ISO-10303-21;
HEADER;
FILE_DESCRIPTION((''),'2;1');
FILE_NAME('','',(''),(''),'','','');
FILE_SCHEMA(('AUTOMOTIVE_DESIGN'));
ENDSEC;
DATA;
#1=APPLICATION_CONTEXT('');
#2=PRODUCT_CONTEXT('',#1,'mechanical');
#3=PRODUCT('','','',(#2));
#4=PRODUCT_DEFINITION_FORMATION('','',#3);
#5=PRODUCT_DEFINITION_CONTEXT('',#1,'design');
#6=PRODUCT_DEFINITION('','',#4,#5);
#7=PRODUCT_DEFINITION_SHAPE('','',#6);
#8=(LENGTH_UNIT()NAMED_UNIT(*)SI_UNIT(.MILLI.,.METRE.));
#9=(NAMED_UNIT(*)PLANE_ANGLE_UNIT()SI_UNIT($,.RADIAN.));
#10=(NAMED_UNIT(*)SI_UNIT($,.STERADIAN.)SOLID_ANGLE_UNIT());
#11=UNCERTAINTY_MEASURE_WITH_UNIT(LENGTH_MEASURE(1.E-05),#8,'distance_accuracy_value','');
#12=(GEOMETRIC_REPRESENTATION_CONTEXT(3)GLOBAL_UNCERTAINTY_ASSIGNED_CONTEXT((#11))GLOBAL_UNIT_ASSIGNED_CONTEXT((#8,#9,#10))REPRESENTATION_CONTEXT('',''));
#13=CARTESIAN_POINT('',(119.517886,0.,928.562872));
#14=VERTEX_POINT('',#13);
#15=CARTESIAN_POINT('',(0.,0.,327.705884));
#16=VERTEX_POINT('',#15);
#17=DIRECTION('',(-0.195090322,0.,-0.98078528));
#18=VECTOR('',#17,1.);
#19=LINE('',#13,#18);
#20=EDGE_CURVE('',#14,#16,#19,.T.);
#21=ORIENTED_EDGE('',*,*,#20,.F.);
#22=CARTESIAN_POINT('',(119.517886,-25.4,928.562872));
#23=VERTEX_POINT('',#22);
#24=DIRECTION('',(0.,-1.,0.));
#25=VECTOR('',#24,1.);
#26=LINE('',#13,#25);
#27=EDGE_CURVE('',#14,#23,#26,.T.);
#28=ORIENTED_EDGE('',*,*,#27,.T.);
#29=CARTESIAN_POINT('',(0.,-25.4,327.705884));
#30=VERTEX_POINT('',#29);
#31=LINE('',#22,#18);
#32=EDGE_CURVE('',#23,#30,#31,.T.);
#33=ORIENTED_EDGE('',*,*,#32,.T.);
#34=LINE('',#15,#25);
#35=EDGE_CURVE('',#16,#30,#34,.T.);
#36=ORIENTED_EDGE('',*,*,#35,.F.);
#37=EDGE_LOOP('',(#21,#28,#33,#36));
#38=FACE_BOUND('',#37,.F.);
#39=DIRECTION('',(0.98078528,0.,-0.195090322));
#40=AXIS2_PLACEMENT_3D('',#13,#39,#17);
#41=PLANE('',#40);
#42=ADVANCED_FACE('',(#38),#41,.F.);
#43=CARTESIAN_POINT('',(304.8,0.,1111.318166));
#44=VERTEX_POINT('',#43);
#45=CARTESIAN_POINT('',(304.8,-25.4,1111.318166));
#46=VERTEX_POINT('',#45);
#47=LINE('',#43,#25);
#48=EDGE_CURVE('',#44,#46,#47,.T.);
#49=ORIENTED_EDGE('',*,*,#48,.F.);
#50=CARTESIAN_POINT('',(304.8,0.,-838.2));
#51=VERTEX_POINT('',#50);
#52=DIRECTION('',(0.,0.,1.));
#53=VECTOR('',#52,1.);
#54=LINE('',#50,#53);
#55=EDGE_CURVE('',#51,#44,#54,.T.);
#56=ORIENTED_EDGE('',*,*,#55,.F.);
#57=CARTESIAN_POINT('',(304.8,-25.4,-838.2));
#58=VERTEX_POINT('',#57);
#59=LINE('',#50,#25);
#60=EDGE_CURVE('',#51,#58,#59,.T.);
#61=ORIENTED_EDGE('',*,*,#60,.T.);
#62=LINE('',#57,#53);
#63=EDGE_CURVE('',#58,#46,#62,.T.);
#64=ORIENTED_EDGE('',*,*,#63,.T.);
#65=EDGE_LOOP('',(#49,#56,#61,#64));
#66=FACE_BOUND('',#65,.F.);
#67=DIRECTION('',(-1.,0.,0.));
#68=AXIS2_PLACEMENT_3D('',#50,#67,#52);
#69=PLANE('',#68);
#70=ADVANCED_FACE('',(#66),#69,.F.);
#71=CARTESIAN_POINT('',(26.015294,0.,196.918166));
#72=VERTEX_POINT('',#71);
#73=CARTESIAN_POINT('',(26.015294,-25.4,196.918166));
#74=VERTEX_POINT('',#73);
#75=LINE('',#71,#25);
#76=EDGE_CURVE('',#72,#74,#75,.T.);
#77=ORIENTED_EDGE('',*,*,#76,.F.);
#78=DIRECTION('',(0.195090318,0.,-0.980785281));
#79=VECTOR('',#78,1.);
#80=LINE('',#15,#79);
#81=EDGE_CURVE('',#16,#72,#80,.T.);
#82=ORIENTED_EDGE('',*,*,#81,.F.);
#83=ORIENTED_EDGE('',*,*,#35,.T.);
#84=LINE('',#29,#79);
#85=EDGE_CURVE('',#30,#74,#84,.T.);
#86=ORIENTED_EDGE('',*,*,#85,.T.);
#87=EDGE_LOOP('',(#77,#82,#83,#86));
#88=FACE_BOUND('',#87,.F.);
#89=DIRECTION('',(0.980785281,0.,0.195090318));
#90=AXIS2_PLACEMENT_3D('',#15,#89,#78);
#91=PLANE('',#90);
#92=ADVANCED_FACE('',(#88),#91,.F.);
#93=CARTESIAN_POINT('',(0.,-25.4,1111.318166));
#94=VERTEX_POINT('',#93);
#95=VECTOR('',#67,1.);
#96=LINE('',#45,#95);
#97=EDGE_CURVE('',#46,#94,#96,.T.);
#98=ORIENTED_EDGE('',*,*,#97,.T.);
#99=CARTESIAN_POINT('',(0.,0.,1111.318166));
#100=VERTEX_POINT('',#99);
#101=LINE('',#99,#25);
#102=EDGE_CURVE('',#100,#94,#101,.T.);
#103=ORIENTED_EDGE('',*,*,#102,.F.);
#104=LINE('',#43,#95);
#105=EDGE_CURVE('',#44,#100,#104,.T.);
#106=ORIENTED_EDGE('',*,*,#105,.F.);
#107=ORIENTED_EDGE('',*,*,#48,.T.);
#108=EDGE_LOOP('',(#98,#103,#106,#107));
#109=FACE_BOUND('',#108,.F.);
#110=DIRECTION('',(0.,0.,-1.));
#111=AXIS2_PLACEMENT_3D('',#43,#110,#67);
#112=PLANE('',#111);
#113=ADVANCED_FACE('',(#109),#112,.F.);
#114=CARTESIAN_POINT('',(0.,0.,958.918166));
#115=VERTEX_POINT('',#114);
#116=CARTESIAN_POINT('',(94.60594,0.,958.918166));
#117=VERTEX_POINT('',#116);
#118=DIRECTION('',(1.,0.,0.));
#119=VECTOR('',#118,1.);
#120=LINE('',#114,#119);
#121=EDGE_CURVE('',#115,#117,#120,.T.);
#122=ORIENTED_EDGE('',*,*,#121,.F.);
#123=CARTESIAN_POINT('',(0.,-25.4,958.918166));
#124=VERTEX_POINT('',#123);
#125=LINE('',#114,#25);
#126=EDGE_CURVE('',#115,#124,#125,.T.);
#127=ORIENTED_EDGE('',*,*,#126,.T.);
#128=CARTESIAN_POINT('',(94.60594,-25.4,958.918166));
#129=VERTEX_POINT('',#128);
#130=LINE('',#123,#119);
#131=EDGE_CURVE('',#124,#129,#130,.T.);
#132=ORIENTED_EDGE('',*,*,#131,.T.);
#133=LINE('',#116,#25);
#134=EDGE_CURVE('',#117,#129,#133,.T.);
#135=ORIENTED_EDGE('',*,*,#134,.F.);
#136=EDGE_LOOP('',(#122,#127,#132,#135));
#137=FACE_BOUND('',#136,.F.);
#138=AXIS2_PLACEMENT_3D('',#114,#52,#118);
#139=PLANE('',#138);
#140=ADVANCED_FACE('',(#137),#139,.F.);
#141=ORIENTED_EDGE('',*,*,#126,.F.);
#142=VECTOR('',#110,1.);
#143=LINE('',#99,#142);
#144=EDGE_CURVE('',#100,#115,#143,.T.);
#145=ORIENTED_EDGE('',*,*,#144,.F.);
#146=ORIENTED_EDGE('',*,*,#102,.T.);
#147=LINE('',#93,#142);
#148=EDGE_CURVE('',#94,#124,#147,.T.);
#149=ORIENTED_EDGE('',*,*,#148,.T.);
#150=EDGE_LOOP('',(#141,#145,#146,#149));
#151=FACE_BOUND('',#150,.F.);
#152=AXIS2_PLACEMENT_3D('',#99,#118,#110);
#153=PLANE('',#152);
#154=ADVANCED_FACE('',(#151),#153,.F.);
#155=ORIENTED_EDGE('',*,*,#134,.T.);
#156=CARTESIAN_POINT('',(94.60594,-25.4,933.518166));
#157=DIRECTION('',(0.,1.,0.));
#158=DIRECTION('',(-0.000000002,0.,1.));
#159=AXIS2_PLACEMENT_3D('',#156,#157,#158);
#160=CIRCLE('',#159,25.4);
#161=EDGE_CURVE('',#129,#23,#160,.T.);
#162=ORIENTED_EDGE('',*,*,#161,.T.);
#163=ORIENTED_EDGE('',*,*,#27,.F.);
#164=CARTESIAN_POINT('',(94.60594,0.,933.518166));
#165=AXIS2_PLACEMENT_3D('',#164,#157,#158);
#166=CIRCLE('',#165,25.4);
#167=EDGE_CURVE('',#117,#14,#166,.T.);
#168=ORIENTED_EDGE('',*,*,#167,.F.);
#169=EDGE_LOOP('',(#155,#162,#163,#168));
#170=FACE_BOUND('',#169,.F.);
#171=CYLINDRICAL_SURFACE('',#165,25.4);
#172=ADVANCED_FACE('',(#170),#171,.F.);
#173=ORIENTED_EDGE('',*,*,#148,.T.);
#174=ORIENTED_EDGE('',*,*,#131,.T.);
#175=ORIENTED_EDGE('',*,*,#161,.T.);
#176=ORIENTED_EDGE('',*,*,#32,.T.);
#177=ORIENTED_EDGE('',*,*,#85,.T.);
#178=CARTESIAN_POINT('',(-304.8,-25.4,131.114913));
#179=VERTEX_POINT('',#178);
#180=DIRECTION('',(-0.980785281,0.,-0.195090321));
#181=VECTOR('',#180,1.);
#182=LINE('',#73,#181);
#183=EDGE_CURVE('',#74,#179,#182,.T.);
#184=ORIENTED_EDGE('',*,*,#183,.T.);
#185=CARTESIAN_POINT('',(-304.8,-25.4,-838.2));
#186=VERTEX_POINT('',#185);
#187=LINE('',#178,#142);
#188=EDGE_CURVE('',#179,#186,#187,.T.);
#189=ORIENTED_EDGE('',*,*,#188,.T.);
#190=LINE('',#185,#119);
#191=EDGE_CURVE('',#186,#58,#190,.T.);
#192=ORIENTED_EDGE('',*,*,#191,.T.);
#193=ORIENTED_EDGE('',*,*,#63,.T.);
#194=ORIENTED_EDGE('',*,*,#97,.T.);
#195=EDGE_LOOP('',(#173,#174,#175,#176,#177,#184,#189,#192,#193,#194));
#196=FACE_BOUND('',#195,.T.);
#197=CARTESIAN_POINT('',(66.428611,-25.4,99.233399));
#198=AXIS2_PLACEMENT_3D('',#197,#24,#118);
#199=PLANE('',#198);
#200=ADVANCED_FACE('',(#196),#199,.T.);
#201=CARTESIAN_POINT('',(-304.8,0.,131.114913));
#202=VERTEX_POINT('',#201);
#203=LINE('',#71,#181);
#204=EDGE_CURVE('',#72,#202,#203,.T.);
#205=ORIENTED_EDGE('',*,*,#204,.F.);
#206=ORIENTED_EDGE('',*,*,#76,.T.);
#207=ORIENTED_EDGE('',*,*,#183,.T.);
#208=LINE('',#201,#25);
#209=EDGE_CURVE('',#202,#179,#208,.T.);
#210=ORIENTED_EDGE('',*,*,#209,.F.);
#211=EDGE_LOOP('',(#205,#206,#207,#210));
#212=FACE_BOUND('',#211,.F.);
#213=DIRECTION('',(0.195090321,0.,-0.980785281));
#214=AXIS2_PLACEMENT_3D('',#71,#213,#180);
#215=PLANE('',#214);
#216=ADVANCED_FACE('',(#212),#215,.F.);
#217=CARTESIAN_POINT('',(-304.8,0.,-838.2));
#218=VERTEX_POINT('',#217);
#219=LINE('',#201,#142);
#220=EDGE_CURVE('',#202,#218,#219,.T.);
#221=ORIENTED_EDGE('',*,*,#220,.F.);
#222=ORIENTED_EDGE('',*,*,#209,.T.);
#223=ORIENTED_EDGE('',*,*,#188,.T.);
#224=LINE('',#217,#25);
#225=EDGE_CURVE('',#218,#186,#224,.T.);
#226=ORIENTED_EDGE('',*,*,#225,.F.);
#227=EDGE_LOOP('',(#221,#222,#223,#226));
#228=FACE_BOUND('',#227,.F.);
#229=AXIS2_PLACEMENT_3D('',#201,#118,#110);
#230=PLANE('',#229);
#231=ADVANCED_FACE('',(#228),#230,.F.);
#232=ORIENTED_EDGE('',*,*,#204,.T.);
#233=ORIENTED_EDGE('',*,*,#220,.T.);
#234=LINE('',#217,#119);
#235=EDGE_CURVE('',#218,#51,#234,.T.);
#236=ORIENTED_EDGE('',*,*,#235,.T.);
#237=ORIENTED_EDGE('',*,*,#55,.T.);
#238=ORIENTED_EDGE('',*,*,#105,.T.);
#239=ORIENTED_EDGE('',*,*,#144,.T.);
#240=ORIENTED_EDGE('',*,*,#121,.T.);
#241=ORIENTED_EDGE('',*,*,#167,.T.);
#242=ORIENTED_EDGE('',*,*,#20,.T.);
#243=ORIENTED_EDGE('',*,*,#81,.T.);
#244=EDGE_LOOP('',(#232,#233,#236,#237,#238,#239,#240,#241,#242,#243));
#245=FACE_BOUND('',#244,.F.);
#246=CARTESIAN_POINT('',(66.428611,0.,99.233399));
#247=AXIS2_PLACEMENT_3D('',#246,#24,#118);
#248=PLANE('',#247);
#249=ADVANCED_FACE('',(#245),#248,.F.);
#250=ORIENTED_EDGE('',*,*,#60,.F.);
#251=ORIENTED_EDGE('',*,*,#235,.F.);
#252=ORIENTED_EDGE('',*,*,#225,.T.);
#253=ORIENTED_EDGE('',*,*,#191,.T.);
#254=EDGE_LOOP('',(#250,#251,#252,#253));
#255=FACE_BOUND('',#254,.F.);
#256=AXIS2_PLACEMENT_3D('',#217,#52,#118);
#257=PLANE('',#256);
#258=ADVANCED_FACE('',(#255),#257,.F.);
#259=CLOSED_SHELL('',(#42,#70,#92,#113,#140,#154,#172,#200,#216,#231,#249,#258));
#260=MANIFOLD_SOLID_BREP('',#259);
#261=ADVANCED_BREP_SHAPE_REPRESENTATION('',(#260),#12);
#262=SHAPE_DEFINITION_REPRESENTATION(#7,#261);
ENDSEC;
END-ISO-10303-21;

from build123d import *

# Parameters (mm, degrees)
F1_DEPTH = 25.4


with BuildPart() as f1:
    # F0 (on Front) → F1 (new body)
    with BuildSketch(Plane.XZ):
        with BuildLine():
            Line((0, 1111.318166), (0, 958.918166))
            Line((0, 958.918166), (94.60594, 958.918166))
            ThreePointArc((94.60594, 958.918166), (114.240405, 949.631756), (119.517886, 928.562872))
            Line((119.517886, 928.562872), (0, 327.705884))
            Line((0, 327.705884), (26.015294, 196.918166))
            Line((26.015294, 196.918166), (-304.8, 131.114913))
            Line((-304.8, 131.114913), (-304.8, -838.2))
            Line((-304.8, -838.2), (304.8, -838.2))
            Line((304.8, -838.2), (304.8, 1111.318166))
            Line((304.8, 1111.318166), (0, 1111.318166))
        make_face()
    extrude(amount=F1_DEPTH)


solid = f1.part
